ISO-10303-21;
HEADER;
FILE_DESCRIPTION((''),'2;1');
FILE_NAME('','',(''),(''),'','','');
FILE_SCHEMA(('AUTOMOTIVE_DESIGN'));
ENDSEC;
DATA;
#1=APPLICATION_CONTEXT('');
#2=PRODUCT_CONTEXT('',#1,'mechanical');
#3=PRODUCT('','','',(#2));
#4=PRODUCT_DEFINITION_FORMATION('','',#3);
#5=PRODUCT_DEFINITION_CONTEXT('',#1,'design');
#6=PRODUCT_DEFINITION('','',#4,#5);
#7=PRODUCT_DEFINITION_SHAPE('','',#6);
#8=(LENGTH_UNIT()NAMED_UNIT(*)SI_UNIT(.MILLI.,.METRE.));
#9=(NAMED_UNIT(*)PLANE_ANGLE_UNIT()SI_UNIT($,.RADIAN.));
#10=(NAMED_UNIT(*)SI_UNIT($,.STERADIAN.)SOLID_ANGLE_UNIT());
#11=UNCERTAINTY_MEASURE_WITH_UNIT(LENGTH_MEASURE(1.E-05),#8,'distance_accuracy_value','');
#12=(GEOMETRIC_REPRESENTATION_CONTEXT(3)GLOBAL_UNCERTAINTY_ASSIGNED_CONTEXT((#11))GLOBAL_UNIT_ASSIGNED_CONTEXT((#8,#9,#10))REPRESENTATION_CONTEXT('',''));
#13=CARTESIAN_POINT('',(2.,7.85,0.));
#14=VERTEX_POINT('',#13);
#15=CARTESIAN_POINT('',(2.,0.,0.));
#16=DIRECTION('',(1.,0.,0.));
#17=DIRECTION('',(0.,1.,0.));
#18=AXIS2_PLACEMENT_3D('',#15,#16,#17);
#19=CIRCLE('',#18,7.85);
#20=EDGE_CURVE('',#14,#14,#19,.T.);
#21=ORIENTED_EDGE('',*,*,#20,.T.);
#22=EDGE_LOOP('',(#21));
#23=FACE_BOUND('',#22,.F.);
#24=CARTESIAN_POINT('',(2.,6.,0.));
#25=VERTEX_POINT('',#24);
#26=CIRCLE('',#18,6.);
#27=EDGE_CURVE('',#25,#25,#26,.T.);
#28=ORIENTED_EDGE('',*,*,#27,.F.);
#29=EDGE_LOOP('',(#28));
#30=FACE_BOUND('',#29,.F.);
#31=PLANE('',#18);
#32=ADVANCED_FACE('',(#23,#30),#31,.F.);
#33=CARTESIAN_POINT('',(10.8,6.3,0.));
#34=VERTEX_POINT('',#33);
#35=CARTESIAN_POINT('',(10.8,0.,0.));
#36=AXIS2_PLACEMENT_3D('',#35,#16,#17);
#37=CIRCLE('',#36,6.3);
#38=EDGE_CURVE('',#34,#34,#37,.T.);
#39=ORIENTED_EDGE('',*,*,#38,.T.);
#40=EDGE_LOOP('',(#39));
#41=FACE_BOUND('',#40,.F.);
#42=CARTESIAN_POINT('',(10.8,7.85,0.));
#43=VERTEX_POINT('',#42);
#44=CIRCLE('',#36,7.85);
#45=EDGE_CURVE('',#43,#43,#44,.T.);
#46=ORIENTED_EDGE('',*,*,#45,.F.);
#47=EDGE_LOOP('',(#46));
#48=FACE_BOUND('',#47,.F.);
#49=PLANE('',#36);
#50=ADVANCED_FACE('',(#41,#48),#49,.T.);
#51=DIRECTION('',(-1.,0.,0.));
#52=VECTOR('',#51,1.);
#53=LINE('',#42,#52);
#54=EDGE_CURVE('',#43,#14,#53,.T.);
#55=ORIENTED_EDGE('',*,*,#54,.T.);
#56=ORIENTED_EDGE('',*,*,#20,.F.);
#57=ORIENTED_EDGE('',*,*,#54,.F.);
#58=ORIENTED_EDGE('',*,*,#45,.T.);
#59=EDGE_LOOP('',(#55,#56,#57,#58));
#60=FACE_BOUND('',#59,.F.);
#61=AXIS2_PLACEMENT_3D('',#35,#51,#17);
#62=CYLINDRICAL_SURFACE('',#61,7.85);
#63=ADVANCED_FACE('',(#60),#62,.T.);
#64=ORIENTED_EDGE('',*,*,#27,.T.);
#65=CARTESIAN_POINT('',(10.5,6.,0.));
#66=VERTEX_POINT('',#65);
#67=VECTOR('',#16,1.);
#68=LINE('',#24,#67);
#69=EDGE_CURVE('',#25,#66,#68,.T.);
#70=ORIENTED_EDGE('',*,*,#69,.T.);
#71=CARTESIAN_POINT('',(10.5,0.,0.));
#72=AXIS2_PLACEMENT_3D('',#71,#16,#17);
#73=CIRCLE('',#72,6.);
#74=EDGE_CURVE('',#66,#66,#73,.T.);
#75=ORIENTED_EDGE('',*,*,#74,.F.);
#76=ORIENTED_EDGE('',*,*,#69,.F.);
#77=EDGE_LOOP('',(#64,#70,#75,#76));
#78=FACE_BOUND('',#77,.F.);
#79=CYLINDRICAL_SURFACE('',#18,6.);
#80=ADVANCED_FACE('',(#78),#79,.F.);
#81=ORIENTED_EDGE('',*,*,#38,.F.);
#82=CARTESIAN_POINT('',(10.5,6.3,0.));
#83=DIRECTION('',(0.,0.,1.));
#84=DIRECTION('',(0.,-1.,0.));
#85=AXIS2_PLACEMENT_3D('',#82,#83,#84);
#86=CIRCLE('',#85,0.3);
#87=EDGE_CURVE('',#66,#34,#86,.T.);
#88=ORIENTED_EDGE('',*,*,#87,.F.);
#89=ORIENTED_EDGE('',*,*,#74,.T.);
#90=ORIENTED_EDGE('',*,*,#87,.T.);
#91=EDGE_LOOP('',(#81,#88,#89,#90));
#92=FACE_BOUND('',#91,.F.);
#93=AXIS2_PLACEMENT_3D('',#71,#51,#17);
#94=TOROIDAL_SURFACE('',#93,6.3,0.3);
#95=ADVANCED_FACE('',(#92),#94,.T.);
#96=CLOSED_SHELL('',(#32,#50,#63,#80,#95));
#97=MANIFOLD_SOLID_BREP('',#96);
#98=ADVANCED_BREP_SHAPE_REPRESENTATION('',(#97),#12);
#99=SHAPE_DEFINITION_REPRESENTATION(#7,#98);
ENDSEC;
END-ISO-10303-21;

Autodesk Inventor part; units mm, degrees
sketch "Sketch_1" plane through (0, 0, 0) normal (0, 0, 1) x (1, 0, 0)
  line L0 (10.8, 0) -> (0, 0)
  line L1 (2, 6) -> (10.5, 6)
  arc A0 (10.5, 6) -> (10.8, 6.3) centre (10.5, 6.3) ccw
  line L2 (10.8, 6.3) -> (10.8, 7.85)
  line L3 (10.8, 7.85) -> (2, 7.85)
  line L4 (2, 7.85) -> (2, 6)
revolve "Revolution1" add sketch "Sketch_1" angle 360 about axis through (10.8, 0, 0) along (1, 0, 0)
ref_plane "IP1_XY" through (0, 0, 0) normal (1, 0, 0) x (0, 0, -1)
ref_plane "IP1_YZ" through (0, 0, 0) normal (0, 0, -1) x (0, 1, 0)
ref_plane "IP1_ZX" through (0, 0, 0) normal (0, 1, 0) x (1, 0, 0)
properties part number "HSK-K 1.209.1201.70-Sealing insert"
